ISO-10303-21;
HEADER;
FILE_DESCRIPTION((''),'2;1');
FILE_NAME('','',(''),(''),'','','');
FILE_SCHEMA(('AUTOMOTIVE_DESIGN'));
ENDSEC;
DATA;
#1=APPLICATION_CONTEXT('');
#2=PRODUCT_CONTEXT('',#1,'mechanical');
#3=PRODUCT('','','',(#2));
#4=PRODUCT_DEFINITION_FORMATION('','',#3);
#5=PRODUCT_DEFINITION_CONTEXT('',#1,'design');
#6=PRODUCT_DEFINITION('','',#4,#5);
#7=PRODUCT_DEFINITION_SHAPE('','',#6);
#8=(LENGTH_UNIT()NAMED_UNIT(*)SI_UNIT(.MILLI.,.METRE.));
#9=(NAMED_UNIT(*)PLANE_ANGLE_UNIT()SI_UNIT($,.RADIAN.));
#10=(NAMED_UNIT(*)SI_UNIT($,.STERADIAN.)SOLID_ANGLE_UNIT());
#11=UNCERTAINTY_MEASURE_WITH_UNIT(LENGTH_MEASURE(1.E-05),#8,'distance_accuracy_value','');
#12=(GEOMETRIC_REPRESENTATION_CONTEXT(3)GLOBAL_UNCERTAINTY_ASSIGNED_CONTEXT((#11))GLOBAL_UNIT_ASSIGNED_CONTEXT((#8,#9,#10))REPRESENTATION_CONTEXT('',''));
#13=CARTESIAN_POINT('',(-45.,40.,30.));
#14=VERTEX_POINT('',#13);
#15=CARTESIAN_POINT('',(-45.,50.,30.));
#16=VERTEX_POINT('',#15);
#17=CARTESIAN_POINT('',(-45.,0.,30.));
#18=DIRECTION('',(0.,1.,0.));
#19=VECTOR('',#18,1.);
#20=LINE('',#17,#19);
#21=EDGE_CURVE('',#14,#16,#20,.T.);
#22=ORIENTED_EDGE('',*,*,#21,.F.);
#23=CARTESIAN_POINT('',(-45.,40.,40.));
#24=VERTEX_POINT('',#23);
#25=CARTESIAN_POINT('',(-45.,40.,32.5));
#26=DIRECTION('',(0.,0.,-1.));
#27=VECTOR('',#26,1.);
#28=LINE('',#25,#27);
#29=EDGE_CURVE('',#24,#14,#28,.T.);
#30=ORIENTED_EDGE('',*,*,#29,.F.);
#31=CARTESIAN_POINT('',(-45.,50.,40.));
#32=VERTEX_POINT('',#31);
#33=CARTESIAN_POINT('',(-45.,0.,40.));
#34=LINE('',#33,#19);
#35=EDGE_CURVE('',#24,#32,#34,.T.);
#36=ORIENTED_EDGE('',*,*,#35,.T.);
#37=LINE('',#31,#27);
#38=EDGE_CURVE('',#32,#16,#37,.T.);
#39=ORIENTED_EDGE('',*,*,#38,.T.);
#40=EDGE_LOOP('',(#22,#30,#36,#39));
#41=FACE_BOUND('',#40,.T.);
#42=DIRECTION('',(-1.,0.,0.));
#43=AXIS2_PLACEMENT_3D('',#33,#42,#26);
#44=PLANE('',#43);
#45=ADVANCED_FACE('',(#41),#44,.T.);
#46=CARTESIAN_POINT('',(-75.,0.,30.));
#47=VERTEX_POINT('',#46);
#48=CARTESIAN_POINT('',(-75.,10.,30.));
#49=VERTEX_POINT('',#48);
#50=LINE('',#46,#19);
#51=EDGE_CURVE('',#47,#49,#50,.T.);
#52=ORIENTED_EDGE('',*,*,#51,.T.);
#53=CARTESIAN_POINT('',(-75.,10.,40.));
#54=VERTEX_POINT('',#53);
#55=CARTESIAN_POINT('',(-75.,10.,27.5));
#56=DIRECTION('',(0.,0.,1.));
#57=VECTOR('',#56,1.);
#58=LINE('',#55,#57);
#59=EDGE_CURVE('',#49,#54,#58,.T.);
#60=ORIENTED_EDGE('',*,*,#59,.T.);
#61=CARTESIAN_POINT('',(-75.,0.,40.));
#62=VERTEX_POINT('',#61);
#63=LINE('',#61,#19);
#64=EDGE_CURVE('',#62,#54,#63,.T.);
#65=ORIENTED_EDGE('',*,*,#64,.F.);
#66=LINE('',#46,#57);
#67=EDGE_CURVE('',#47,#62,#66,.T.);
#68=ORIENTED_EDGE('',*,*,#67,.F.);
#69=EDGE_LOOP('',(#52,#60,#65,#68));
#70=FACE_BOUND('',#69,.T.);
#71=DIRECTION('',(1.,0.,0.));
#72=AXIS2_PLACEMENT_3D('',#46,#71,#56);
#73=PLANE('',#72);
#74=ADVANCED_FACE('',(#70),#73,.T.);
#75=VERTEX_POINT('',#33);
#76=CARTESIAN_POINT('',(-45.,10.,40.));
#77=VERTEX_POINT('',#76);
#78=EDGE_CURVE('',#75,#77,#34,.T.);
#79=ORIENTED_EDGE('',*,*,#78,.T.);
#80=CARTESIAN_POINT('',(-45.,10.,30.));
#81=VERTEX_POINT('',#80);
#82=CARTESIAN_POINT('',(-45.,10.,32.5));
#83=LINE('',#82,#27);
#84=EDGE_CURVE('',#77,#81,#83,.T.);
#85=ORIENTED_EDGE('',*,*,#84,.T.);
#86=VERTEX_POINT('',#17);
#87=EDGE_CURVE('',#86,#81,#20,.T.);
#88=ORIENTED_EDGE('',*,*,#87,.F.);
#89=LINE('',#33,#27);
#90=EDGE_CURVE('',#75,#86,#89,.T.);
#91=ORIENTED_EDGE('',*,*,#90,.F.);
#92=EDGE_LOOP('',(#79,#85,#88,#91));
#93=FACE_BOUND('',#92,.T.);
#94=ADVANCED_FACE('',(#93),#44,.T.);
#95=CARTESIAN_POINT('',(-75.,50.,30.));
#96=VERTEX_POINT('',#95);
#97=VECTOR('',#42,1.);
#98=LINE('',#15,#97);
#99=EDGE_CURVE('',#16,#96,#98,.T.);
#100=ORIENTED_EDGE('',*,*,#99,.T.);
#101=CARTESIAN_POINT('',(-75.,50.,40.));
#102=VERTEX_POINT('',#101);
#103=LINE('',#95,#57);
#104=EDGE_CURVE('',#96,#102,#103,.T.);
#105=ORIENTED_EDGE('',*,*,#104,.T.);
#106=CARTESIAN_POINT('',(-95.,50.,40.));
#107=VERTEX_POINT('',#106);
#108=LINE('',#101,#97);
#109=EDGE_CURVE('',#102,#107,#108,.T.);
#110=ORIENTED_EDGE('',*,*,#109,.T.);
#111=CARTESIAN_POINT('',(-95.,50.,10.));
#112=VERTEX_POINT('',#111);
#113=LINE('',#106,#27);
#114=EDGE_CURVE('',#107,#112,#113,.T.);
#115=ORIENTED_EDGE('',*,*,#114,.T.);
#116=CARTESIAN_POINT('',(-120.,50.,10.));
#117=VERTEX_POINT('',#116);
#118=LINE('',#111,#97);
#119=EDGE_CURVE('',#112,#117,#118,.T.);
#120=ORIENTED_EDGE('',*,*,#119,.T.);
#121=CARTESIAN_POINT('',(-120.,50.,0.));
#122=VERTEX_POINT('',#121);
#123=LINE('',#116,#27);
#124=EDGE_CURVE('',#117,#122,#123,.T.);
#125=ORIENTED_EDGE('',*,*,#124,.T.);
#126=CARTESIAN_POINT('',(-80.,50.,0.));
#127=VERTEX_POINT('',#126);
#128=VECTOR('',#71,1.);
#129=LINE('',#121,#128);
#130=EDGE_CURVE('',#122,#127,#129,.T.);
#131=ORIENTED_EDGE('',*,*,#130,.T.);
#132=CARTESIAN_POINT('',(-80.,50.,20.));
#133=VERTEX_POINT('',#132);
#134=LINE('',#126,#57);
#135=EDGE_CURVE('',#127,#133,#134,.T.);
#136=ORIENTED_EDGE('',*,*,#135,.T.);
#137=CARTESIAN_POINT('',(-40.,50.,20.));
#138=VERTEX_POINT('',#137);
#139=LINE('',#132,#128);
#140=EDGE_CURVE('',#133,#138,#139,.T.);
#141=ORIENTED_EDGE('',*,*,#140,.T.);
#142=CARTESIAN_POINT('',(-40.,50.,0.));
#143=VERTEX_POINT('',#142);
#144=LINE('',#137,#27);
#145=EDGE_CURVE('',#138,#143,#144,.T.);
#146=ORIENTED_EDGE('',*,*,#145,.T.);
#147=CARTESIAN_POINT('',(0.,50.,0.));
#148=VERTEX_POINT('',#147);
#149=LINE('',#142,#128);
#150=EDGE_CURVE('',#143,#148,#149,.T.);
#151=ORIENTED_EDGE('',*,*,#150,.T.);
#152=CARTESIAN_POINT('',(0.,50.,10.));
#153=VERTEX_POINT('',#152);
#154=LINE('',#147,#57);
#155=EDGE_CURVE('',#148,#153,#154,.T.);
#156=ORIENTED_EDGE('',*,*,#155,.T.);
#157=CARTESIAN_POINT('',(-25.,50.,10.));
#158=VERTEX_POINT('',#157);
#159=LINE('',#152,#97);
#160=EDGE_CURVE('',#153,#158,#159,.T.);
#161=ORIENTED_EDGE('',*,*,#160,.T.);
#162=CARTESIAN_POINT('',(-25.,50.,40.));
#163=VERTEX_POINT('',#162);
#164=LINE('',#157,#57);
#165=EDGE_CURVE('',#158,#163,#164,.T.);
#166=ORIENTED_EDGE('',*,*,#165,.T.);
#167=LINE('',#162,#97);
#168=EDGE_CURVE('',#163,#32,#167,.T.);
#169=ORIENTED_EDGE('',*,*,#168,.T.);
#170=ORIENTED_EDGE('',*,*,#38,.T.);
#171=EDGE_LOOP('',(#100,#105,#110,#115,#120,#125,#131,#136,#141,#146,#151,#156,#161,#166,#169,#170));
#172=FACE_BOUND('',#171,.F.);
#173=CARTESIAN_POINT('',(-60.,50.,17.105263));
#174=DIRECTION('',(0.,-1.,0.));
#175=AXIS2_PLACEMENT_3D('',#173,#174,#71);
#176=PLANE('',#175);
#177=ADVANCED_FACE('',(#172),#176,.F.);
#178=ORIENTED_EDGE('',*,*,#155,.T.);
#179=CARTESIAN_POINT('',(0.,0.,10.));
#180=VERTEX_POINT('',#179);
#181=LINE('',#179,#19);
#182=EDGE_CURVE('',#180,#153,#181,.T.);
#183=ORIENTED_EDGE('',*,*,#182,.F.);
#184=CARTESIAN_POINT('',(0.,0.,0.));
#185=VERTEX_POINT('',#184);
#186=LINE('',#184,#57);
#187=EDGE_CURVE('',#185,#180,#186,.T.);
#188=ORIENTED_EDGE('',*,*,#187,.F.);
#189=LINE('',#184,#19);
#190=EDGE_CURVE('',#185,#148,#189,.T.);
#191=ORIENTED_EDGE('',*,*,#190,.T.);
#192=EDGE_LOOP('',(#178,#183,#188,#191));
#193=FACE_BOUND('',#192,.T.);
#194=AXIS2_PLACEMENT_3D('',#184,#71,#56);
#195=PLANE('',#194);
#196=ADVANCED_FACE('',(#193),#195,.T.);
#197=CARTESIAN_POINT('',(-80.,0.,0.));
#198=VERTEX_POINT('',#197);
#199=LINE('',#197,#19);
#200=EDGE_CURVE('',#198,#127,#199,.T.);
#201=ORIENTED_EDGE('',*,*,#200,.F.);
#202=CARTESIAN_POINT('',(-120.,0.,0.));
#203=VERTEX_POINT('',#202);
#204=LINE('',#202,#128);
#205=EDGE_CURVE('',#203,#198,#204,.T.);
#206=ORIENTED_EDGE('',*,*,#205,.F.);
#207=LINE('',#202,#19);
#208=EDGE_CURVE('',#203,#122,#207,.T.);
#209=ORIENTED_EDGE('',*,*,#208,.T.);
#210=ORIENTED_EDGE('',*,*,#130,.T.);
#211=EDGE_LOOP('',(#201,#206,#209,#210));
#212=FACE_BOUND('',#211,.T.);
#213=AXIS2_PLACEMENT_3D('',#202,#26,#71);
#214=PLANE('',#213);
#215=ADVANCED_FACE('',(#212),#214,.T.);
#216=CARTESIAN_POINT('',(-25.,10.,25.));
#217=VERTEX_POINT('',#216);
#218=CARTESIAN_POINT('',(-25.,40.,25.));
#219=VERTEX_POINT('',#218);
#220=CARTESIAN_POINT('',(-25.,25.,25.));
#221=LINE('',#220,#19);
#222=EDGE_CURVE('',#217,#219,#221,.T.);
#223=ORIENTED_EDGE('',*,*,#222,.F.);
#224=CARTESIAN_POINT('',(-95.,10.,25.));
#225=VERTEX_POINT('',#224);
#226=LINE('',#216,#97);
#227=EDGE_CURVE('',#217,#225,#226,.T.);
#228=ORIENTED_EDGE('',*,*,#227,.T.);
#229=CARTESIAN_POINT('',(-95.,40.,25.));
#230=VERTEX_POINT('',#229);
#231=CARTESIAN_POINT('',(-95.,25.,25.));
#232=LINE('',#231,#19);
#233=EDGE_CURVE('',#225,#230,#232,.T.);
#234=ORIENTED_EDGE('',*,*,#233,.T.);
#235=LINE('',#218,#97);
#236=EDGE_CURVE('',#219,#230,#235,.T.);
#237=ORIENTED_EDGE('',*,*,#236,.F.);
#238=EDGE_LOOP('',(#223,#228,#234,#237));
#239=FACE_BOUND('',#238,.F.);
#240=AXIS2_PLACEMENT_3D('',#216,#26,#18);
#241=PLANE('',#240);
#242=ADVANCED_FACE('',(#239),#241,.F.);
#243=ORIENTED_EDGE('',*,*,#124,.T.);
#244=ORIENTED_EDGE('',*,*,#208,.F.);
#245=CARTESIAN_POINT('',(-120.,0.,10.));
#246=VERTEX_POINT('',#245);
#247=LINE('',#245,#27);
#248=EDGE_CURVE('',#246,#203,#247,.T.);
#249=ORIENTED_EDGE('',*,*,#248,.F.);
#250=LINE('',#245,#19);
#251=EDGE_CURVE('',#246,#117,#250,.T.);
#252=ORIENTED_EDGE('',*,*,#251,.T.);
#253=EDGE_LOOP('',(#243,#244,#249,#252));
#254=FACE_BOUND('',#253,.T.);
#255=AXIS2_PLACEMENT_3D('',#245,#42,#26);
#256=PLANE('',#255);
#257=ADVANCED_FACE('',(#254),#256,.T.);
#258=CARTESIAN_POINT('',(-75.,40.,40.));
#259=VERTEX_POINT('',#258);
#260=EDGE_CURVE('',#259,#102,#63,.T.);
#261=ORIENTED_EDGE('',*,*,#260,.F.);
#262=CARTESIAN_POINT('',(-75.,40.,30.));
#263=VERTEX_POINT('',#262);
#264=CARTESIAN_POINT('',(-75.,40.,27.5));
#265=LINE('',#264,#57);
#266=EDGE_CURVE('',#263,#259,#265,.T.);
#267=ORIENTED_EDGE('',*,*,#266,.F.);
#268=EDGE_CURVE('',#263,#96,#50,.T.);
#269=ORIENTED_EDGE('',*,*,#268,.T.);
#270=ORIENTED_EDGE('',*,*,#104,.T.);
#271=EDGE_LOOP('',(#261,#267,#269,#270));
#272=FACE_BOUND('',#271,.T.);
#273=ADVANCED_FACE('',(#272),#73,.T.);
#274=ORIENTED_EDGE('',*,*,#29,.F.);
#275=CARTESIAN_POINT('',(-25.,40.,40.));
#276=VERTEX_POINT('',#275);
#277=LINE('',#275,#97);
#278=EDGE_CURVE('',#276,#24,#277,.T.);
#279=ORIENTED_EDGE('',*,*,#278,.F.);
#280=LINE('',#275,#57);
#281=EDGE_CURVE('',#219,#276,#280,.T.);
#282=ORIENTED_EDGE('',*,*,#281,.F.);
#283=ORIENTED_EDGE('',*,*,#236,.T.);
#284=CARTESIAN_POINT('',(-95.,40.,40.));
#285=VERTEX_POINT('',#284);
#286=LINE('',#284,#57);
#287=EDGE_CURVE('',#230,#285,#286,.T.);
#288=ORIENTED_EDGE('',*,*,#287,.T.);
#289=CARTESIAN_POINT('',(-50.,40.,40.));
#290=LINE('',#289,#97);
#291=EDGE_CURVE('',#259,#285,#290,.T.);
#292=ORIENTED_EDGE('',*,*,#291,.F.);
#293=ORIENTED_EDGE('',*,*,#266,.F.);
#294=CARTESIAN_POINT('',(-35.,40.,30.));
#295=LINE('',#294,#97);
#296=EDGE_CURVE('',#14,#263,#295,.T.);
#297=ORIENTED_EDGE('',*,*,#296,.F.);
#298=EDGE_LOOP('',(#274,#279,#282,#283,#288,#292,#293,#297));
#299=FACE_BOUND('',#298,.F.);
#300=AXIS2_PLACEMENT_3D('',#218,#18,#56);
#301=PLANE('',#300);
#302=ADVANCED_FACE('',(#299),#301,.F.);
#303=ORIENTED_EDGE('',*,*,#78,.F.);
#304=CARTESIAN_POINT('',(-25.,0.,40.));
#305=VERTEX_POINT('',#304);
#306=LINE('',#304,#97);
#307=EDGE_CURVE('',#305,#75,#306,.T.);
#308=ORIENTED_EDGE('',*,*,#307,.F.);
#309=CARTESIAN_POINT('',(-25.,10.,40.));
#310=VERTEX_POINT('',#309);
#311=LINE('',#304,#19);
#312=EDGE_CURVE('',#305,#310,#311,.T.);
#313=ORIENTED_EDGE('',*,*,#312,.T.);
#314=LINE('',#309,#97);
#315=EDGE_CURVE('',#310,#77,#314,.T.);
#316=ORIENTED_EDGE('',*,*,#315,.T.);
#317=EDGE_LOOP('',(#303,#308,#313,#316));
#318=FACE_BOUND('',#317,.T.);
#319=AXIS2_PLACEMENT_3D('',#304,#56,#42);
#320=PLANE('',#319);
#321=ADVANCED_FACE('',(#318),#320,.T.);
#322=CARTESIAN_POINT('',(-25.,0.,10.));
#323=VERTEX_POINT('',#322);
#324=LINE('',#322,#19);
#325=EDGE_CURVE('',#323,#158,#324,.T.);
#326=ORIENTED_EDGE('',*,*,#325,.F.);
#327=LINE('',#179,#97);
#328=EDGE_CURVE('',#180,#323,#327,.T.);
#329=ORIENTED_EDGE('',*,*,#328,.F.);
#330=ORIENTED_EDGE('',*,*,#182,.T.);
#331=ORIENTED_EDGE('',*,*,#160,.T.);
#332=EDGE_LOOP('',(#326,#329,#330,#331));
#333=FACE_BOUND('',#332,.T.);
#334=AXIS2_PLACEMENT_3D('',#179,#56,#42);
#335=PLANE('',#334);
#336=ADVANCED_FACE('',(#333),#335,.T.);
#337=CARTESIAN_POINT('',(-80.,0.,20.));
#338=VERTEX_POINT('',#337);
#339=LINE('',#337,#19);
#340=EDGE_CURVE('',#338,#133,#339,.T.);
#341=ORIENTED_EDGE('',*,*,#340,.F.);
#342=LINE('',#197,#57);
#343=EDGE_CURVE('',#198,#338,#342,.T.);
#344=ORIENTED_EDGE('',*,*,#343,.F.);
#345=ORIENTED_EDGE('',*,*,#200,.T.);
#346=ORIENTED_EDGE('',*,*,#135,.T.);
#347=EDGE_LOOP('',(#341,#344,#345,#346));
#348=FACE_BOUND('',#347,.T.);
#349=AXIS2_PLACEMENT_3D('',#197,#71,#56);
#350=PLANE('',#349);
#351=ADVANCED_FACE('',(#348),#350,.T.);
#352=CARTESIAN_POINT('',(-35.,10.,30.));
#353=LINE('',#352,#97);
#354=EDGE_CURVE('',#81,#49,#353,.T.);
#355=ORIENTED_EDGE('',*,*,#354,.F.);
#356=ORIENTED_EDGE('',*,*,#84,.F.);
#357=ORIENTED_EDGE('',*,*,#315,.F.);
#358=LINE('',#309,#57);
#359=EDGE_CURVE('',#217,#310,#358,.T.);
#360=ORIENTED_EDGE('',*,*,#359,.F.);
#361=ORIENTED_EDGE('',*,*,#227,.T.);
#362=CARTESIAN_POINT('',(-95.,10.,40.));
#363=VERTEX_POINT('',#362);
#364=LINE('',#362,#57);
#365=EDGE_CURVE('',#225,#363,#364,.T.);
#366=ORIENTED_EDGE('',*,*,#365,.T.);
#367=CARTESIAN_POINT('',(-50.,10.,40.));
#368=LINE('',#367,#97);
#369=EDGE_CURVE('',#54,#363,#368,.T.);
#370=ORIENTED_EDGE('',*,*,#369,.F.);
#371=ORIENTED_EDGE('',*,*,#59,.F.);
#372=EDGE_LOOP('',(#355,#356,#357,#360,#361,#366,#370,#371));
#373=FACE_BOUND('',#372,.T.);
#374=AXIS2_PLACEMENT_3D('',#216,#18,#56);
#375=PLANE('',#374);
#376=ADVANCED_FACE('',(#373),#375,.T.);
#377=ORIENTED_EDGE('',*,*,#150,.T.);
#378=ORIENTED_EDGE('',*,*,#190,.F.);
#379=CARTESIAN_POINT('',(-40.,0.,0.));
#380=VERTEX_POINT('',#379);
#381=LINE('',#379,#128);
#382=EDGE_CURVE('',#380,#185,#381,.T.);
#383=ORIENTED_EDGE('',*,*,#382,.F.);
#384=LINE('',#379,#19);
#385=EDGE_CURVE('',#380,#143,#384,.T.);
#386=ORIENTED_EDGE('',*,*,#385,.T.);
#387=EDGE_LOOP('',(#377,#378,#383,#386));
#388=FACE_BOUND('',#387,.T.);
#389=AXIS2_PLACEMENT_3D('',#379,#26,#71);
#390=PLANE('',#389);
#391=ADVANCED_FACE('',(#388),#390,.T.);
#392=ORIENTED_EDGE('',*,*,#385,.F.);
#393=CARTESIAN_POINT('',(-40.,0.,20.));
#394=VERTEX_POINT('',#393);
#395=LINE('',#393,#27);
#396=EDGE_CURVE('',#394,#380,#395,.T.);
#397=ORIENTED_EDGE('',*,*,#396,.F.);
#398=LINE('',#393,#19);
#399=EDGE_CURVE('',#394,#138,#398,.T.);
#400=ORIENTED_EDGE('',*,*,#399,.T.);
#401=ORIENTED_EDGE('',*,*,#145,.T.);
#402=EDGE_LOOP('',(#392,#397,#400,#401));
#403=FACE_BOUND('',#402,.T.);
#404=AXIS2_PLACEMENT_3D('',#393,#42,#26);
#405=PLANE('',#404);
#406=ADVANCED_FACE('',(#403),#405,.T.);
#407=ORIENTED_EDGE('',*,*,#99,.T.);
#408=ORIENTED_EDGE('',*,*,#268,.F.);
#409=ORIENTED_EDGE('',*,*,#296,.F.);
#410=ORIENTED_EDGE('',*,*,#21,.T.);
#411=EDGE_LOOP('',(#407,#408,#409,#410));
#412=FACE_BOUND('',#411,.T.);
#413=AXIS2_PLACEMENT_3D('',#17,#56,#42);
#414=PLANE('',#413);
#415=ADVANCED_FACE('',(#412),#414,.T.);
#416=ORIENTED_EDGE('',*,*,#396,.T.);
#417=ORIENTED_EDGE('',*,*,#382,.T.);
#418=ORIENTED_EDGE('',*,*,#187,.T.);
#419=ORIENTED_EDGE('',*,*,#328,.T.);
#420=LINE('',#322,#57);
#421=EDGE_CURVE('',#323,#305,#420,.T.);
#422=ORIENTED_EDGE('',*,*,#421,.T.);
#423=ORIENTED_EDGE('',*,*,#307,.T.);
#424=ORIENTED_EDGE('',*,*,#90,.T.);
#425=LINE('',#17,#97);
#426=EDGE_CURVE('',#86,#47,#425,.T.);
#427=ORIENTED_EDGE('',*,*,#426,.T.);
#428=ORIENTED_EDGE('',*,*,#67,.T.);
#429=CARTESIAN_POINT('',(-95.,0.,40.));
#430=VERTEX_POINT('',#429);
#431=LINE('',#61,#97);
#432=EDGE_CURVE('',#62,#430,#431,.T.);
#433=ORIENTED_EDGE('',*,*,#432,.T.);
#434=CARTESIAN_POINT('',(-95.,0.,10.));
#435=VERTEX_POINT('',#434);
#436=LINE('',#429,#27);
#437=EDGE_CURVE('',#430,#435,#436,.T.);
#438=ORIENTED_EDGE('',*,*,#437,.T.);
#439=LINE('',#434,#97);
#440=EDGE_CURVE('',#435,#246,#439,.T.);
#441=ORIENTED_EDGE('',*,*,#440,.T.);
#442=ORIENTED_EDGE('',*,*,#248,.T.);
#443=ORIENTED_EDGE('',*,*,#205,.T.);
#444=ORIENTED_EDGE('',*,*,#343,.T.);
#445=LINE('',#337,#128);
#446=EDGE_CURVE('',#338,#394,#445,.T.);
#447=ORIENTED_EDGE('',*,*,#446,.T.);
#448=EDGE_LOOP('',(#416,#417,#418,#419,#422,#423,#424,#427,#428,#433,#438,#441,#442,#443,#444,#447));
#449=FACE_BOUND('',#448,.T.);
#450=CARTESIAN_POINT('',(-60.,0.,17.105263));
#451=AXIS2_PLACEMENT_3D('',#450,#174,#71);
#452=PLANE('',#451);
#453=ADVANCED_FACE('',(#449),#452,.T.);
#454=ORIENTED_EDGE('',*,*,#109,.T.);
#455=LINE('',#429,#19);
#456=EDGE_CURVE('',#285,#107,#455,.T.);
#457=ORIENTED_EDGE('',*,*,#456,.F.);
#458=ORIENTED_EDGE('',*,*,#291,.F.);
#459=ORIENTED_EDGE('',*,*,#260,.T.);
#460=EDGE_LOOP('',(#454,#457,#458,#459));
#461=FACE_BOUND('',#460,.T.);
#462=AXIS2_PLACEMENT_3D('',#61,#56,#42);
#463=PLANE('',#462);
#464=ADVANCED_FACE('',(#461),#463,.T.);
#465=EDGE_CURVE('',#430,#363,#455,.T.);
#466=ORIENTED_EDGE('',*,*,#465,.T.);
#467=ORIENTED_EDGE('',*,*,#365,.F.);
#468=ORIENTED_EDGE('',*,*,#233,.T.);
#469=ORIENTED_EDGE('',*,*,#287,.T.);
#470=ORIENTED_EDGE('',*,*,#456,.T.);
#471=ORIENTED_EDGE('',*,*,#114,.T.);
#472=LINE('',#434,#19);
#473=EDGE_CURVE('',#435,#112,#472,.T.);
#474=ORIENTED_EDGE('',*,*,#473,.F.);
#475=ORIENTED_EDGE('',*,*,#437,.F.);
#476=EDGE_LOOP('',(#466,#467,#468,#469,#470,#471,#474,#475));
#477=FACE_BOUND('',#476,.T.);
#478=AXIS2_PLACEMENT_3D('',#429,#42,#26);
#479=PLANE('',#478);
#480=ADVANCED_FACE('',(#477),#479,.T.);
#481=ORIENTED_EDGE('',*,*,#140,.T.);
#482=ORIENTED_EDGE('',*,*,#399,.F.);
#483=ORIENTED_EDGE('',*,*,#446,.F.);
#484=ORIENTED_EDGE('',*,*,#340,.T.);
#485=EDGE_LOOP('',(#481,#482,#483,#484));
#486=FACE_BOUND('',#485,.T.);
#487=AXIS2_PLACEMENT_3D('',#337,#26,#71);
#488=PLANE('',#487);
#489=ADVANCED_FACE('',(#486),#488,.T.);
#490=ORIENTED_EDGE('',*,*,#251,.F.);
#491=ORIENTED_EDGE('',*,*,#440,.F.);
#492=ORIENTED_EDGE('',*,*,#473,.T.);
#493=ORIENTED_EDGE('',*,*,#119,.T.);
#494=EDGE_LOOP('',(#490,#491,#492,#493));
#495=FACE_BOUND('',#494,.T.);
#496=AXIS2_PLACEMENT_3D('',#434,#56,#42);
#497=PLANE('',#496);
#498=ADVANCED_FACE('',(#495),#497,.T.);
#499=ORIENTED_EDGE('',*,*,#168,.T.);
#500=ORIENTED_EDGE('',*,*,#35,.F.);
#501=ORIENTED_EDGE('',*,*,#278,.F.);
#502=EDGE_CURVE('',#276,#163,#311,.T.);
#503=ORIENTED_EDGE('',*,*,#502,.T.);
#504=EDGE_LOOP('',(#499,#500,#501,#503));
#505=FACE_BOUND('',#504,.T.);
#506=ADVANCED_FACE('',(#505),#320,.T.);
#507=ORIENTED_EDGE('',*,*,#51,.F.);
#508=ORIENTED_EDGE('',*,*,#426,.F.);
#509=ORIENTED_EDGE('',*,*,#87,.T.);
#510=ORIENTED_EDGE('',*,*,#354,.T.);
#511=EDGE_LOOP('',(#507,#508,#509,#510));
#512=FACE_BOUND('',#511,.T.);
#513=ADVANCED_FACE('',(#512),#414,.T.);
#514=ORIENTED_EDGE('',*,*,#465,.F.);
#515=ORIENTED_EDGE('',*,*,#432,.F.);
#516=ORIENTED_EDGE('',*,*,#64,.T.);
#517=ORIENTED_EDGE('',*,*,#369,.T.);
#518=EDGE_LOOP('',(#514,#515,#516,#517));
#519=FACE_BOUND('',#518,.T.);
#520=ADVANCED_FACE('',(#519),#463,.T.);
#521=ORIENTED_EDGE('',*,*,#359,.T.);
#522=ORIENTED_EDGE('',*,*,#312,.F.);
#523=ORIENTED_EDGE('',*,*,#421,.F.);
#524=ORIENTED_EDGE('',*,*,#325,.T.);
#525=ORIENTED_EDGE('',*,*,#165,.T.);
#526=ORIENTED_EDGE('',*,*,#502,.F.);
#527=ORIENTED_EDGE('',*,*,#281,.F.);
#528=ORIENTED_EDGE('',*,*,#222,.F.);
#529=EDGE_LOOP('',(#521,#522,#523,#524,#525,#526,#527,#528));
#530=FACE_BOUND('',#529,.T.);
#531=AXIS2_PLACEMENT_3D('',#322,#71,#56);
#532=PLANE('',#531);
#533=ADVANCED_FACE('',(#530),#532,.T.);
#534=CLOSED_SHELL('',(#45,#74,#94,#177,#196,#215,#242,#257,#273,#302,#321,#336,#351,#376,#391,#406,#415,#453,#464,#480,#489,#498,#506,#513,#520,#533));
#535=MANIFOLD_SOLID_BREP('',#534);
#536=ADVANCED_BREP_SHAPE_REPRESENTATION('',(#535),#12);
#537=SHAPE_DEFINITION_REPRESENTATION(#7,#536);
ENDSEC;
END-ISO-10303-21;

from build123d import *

# Parameters (mm, degrees)
F1_DEPTH = 50
F2_W     = 30
F2_H     = 30
F3_DEPTH = 70


with BuildPart() as f1:
    # F0 (on Front) → F1 (new body)
    with BuildSketch(Plane.XZ):
        Polygon((-40, 0), (0, 0), (0, 10), (-25, 10), (-25, 40), (-45, 40), (-45, 30), (-75, 30), (-75, 40), (-95, 40), (-95, 10), (-120, 10), (-120, 0), (-80, 0), (-80, 20), (-40, 20), align=None)
    extrude(amount=-F1_DEPTH)

    # F2 (on face) → F3 (cut)
    with BuildSketch(Plane.YZ.offset(-25)):
        with Locations((25, 40)):
            Rectangle(F2_W, F2_H)
    extrude(amount=-F3_DEPTH, mode=Mode.SUBTRACT)


solid = f1.part
